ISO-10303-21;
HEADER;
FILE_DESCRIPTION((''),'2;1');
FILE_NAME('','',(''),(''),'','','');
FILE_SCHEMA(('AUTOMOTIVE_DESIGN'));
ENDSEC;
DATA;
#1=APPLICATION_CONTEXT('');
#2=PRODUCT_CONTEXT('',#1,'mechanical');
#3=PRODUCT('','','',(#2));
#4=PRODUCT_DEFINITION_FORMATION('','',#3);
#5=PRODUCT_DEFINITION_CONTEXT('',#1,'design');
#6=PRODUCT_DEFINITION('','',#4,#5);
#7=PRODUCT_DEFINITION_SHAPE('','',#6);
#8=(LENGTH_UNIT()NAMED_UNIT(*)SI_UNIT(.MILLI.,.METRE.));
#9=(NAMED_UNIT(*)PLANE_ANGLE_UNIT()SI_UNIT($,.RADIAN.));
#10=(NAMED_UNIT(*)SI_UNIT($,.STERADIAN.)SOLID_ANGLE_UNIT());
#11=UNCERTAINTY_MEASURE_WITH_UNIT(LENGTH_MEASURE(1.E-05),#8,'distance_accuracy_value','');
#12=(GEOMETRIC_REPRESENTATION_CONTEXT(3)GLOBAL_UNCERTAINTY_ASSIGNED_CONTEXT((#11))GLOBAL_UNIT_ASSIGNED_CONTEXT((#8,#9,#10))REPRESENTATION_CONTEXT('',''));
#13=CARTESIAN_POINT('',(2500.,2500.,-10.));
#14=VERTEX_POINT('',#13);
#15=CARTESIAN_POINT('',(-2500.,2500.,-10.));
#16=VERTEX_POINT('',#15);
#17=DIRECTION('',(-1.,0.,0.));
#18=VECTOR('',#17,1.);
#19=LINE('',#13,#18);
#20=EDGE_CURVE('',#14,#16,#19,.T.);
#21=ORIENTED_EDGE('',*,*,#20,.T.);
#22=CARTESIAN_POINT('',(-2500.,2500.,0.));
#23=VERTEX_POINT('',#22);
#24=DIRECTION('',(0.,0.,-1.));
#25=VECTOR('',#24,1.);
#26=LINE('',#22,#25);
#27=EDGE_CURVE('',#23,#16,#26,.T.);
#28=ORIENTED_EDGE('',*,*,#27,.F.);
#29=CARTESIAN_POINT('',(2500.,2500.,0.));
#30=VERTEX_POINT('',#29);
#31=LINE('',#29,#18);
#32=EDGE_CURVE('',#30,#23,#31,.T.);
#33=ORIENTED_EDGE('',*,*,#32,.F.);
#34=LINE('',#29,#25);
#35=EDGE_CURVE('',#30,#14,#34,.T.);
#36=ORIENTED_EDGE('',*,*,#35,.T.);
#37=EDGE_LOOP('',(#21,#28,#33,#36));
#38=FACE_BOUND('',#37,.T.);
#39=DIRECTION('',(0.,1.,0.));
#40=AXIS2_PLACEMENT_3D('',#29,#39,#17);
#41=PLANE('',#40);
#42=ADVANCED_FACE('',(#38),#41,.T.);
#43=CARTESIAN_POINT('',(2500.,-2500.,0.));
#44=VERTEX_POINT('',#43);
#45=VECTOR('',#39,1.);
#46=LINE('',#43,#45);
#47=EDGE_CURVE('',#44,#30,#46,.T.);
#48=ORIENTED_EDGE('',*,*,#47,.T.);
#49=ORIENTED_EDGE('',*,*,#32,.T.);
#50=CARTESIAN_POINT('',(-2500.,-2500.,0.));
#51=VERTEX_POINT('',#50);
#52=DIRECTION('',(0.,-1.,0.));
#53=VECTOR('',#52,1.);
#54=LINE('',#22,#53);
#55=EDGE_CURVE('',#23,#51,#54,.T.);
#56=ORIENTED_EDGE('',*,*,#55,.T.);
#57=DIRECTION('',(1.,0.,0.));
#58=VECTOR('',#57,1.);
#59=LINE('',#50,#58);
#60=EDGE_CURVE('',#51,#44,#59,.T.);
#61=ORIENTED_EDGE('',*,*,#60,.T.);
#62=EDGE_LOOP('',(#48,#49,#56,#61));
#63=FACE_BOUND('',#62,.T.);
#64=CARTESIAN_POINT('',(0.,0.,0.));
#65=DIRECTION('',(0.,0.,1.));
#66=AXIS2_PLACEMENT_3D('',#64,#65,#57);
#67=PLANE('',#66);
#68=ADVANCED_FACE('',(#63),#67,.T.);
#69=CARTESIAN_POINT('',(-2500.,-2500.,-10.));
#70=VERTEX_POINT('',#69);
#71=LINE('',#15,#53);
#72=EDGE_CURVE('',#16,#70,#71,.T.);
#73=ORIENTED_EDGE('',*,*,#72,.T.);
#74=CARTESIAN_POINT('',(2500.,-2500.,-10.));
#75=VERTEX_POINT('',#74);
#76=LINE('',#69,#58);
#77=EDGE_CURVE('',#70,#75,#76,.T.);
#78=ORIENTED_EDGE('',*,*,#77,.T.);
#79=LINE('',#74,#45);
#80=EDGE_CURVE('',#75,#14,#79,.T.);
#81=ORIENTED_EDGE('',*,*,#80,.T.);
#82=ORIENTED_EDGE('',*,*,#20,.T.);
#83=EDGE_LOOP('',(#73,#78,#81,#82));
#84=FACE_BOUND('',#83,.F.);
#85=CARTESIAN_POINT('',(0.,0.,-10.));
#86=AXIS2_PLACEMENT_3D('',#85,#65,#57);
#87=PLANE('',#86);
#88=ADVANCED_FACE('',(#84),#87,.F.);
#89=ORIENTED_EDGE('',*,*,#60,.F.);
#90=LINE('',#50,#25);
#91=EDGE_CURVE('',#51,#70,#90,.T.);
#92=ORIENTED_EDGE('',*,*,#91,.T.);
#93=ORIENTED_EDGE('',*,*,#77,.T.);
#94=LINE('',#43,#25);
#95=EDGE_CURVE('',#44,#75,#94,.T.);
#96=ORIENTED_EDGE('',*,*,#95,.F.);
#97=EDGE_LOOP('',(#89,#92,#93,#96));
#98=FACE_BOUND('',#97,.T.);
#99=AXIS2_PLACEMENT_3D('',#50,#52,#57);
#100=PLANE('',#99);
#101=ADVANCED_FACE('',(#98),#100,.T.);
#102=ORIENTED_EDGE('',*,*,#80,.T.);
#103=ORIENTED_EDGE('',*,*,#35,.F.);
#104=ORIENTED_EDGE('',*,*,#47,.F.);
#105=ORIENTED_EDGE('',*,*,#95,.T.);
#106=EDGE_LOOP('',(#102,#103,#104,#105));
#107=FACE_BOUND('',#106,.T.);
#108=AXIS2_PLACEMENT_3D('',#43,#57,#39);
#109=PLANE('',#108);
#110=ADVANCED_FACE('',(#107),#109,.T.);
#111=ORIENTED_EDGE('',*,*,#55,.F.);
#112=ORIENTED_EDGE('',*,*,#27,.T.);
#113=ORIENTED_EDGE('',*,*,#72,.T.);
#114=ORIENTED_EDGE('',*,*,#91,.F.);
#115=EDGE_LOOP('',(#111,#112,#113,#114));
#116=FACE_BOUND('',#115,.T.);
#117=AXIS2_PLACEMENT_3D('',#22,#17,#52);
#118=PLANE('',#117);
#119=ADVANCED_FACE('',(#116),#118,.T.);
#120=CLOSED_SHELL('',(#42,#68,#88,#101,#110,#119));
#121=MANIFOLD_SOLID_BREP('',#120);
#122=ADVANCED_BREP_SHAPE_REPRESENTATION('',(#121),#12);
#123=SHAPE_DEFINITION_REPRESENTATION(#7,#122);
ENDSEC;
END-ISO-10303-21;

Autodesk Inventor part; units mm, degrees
ref_plane "YZ Plane" through (0, 0, 0) normal (1, 0, 0) x (0, 1, 0)
ref_plane "XZ Plane" through (0, 0, 0) normal (0, 1, 0) x (-1, 0, 0)
ref_plane "XY Plane" through (0, 0, 0) normal (0, 0, 1) x (1, 0, 0)
sketch "Sketch1" plane through (0, 0, 0) normal (0, 0, 1) x (1, 0, 0)
  line L0 (2500, 2500) -> (-2500, 2500)
  line L1 (-2500, 2500) -> (-2500, -2500)
  line L2 (-2500, -2500) -> (2500, -2500)
  line L3 (2500, -2500) -> (2500, 2500)
  point P0 (0, 0)
  dimension "d0" = 5000
  dimension "d1" = 5000
  dimension "d2" = 2500
  dimension "d3" = 2500
extrude "Extrusion1" add sketch "Sketch1" against normal blind 10
equation "\"d2\" = 0.5 * d1"
equation "\"d3\" = 0.5 * d0"
properties part number "Piso"
